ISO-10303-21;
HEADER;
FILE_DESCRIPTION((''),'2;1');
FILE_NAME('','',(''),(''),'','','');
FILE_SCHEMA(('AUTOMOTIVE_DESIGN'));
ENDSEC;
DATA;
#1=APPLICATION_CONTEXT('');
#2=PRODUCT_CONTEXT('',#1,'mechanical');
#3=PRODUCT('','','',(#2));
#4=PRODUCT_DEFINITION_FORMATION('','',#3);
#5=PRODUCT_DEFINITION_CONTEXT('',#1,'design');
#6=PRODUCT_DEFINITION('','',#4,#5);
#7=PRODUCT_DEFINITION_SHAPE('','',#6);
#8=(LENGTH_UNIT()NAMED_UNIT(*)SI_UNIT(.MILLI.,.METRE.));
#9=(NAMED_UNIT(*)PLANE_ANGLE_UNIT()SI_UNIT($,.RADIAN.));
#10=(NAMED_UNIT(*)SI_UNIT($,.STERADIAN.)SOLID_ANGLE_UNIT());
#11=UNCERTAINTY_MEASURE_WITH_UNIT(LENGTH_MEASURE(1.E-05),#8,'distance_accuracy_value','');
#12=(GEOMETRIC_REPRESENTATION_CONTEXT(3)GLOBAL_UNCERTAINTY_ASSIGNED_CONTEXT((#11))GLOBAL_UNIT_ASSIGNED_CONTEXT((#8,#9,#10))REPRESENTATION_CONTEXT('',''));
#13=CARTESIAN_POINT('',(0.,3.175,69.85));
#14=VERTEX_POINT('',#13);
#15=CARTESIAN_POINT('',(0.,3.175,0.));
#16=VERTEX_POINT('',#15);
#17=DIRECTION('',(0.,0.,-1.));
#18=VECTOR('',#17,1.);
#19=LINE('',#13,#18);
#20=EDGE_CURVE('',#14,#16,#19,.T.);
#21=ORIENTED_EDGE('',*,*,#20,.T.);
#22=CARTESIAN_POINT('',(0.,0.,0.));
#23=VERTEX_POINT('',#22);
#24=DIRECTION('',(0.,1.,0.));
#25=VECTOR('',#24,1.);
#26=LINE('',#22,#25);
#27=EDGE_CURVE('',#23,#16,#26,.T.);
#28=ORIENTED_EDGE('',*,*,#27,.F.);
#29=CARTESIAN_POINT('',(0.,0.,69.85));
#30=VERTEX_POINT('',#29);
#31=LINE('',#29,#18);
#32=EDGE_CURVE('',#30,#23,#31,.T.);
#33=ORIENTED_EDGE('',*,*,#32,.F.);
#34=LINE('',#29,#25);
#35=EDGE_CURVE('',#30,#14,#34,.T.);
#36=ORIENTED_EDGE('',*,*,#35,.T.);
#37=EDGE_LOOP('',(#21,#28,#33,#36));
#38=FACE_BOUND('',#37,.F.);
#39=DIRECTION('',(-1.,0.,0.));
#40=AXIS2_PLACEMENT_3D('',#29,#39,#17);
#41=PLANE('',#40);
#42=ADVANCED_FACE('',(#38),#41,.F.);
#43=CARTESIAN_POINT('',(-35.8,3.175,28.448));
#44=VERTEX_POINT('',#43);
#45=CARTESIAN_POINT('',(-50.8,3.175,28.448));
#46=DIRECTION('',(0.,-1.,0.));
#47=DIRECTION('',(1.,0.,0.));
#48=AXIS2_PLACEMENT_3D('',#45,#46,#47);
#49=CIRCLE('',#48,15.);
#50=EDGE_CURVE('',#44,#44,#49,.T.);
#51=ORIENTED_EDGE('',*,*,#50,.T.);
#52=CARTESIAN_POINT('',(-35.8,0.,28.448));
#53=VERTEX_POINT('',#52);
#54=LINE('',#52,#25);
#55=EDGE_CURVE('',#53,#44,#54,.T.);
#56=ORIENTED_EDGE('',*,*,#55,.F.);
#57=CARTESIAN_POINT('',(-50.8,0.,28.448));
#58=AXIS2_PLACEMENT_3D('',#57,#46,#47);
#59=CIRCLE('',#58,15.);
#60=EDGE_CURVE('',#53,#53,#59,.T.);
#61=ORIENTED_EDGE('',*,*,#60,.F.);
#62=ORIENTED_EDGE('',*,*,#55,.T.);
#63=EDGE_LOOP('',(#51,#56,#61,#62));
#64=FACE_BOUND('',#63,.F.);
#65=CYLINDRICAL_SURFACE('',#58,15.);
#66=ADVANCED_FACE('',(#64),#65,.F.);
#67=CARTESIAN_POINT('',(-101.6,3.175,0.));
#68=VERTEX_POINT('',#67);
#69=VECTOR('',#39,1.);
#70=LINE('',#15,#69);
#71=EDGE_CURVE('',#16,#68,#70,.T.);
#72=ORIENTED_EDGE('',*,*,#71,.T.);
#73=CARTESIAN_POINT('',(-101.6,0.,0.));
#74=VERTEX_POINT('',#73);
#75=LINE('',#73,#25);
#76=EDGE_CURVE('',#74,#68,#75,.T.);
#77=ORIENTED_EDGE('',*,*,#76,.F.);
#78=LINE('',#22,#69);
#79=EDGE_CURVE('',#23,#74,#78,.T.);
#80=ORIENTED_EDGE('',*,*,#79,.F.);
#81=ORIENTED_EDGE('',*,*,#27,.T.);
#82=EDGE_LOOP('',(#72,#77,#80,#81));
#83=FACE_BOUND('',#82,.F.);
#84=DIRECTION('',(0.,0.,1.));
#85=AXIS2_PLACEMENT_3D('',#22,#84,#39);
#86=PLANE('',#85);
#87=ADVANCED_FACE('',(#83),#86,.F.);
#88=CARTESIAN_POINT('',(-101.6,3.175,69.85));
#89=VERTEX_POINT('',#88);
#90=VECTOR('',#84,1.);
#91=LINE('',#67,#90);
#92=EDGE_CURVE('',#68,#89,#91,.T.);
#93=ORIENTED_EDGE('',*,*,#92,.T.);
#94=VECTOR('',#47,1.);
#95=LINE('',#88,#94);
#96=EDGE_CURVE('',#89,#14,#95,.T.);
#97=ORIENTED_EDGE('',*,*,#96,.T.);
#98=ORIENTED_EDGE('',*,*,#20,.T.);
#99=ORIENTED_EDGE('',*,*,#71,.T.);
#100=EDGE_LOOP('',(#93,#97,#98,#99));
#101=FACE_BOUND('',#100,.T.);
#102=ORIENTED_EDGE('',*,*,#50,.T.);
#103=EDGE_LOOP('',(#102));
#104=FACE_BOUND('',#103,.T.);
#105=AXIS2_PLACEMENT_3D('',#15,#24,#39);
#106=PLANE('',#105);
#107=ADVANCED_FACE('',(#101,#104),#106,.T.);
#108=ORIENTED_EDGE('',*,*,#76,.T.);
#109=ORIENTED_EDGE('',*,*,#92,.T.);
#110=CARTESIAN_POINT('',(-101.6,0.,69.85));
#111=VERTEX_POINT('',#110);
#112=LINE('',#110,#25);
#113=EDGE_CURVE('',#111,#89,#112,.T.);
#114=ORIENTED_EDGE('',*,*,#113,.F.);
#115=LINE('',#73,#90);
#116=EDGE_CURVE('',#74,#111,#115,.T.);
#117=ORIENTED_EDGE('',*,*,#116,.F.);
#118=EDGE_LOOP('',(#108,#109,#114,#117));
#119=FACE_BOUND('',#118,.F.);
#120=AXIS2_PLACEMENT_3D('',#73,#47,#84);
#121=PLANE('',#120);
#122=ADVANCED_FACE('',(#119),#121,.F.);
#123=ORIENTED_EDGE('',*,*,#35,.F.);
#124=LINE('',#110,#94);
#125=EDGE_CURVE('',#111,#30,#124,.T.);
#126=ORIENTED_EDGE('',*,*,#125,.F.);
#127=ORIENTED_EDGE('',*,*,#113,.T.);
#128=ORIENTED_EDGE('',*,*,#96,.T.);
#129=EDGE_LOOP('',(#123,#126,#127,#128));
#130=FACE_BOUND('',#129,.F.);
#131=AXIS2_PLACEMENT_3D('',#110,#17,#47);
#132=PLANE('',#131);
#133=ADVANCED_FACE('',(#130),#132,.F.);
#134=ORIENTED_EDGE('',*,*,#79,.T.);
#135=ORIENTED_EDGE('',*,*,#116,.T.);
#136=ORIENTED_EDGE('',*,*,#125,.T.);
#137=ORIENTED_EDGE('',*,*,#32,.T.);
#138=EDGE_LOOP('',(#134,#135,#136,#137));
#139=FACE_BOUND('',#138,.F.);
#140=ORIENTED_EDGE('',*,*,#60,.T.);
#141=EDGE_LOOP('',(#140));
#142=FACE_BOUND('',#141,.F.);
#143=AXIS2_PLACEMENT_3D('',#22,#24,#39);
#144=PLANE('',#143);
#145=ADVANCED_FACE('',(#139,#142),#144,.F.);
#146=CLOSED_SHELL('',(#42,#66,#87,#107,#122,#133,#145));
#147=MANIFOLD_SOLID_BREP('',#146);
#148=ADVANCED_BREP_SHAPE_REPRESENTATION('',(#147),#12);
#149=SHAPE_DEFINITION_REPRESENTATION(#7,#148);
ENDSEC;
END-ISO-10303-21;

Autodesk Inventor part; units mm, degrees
ref_plane "YZ Plane" through (0, 0, 0) normal (1, 0, 0) x (0, 1, 0)
ref_plane "XZ Plane" through (0, 0, 0) normal (0, 1, 0) x (-1, 0, 0)
ref_plane "XY Plane" through (0, 0, 0) normal (0, 0, 1) x (1, 0, 0)
sketch "Sketch1" plane through (0, 0, 0) normal (0, 1, 0) x (-1, 0, 0)
  line L0 (0, 0) -> (101.6, 0)
  line L1 (101.6, 0) -> (101.6, 69.85)
  line L2 (101.6, 69.85) -> (0, 69.85)
  line L3 (0, 69.85) -> (0, 0)
  dimension "d6" = 101.6
  dimension "d7" = 69.85
extrude "Extrusion1" add sketch "Sketch1" along normal blind 3.175
sketch "Sketch2" plane through (0, 0, 0) normal (0, -1, 0) x (1, 0, 0)
  line L0 (0, 69.85) -> (0, 0) projected
  line L1 (-101.6, 69.85) -> (0, 69.85) projected
  line L2 (-101.6, 0) -> (-101.6, 69.85) projected
  circle A0 centre (-50.8, 28.448) radius 15
  dimension "d8" = 30
  dimension "d9" = 50.8
  dimension "d10" = 50.8
  dimension "d11" = 41.402
extrude "Extrusion2" cut sketch "Sketch2" against normal through all
equation "\"d9\" = d10"
properties part number "zMotorMount"
